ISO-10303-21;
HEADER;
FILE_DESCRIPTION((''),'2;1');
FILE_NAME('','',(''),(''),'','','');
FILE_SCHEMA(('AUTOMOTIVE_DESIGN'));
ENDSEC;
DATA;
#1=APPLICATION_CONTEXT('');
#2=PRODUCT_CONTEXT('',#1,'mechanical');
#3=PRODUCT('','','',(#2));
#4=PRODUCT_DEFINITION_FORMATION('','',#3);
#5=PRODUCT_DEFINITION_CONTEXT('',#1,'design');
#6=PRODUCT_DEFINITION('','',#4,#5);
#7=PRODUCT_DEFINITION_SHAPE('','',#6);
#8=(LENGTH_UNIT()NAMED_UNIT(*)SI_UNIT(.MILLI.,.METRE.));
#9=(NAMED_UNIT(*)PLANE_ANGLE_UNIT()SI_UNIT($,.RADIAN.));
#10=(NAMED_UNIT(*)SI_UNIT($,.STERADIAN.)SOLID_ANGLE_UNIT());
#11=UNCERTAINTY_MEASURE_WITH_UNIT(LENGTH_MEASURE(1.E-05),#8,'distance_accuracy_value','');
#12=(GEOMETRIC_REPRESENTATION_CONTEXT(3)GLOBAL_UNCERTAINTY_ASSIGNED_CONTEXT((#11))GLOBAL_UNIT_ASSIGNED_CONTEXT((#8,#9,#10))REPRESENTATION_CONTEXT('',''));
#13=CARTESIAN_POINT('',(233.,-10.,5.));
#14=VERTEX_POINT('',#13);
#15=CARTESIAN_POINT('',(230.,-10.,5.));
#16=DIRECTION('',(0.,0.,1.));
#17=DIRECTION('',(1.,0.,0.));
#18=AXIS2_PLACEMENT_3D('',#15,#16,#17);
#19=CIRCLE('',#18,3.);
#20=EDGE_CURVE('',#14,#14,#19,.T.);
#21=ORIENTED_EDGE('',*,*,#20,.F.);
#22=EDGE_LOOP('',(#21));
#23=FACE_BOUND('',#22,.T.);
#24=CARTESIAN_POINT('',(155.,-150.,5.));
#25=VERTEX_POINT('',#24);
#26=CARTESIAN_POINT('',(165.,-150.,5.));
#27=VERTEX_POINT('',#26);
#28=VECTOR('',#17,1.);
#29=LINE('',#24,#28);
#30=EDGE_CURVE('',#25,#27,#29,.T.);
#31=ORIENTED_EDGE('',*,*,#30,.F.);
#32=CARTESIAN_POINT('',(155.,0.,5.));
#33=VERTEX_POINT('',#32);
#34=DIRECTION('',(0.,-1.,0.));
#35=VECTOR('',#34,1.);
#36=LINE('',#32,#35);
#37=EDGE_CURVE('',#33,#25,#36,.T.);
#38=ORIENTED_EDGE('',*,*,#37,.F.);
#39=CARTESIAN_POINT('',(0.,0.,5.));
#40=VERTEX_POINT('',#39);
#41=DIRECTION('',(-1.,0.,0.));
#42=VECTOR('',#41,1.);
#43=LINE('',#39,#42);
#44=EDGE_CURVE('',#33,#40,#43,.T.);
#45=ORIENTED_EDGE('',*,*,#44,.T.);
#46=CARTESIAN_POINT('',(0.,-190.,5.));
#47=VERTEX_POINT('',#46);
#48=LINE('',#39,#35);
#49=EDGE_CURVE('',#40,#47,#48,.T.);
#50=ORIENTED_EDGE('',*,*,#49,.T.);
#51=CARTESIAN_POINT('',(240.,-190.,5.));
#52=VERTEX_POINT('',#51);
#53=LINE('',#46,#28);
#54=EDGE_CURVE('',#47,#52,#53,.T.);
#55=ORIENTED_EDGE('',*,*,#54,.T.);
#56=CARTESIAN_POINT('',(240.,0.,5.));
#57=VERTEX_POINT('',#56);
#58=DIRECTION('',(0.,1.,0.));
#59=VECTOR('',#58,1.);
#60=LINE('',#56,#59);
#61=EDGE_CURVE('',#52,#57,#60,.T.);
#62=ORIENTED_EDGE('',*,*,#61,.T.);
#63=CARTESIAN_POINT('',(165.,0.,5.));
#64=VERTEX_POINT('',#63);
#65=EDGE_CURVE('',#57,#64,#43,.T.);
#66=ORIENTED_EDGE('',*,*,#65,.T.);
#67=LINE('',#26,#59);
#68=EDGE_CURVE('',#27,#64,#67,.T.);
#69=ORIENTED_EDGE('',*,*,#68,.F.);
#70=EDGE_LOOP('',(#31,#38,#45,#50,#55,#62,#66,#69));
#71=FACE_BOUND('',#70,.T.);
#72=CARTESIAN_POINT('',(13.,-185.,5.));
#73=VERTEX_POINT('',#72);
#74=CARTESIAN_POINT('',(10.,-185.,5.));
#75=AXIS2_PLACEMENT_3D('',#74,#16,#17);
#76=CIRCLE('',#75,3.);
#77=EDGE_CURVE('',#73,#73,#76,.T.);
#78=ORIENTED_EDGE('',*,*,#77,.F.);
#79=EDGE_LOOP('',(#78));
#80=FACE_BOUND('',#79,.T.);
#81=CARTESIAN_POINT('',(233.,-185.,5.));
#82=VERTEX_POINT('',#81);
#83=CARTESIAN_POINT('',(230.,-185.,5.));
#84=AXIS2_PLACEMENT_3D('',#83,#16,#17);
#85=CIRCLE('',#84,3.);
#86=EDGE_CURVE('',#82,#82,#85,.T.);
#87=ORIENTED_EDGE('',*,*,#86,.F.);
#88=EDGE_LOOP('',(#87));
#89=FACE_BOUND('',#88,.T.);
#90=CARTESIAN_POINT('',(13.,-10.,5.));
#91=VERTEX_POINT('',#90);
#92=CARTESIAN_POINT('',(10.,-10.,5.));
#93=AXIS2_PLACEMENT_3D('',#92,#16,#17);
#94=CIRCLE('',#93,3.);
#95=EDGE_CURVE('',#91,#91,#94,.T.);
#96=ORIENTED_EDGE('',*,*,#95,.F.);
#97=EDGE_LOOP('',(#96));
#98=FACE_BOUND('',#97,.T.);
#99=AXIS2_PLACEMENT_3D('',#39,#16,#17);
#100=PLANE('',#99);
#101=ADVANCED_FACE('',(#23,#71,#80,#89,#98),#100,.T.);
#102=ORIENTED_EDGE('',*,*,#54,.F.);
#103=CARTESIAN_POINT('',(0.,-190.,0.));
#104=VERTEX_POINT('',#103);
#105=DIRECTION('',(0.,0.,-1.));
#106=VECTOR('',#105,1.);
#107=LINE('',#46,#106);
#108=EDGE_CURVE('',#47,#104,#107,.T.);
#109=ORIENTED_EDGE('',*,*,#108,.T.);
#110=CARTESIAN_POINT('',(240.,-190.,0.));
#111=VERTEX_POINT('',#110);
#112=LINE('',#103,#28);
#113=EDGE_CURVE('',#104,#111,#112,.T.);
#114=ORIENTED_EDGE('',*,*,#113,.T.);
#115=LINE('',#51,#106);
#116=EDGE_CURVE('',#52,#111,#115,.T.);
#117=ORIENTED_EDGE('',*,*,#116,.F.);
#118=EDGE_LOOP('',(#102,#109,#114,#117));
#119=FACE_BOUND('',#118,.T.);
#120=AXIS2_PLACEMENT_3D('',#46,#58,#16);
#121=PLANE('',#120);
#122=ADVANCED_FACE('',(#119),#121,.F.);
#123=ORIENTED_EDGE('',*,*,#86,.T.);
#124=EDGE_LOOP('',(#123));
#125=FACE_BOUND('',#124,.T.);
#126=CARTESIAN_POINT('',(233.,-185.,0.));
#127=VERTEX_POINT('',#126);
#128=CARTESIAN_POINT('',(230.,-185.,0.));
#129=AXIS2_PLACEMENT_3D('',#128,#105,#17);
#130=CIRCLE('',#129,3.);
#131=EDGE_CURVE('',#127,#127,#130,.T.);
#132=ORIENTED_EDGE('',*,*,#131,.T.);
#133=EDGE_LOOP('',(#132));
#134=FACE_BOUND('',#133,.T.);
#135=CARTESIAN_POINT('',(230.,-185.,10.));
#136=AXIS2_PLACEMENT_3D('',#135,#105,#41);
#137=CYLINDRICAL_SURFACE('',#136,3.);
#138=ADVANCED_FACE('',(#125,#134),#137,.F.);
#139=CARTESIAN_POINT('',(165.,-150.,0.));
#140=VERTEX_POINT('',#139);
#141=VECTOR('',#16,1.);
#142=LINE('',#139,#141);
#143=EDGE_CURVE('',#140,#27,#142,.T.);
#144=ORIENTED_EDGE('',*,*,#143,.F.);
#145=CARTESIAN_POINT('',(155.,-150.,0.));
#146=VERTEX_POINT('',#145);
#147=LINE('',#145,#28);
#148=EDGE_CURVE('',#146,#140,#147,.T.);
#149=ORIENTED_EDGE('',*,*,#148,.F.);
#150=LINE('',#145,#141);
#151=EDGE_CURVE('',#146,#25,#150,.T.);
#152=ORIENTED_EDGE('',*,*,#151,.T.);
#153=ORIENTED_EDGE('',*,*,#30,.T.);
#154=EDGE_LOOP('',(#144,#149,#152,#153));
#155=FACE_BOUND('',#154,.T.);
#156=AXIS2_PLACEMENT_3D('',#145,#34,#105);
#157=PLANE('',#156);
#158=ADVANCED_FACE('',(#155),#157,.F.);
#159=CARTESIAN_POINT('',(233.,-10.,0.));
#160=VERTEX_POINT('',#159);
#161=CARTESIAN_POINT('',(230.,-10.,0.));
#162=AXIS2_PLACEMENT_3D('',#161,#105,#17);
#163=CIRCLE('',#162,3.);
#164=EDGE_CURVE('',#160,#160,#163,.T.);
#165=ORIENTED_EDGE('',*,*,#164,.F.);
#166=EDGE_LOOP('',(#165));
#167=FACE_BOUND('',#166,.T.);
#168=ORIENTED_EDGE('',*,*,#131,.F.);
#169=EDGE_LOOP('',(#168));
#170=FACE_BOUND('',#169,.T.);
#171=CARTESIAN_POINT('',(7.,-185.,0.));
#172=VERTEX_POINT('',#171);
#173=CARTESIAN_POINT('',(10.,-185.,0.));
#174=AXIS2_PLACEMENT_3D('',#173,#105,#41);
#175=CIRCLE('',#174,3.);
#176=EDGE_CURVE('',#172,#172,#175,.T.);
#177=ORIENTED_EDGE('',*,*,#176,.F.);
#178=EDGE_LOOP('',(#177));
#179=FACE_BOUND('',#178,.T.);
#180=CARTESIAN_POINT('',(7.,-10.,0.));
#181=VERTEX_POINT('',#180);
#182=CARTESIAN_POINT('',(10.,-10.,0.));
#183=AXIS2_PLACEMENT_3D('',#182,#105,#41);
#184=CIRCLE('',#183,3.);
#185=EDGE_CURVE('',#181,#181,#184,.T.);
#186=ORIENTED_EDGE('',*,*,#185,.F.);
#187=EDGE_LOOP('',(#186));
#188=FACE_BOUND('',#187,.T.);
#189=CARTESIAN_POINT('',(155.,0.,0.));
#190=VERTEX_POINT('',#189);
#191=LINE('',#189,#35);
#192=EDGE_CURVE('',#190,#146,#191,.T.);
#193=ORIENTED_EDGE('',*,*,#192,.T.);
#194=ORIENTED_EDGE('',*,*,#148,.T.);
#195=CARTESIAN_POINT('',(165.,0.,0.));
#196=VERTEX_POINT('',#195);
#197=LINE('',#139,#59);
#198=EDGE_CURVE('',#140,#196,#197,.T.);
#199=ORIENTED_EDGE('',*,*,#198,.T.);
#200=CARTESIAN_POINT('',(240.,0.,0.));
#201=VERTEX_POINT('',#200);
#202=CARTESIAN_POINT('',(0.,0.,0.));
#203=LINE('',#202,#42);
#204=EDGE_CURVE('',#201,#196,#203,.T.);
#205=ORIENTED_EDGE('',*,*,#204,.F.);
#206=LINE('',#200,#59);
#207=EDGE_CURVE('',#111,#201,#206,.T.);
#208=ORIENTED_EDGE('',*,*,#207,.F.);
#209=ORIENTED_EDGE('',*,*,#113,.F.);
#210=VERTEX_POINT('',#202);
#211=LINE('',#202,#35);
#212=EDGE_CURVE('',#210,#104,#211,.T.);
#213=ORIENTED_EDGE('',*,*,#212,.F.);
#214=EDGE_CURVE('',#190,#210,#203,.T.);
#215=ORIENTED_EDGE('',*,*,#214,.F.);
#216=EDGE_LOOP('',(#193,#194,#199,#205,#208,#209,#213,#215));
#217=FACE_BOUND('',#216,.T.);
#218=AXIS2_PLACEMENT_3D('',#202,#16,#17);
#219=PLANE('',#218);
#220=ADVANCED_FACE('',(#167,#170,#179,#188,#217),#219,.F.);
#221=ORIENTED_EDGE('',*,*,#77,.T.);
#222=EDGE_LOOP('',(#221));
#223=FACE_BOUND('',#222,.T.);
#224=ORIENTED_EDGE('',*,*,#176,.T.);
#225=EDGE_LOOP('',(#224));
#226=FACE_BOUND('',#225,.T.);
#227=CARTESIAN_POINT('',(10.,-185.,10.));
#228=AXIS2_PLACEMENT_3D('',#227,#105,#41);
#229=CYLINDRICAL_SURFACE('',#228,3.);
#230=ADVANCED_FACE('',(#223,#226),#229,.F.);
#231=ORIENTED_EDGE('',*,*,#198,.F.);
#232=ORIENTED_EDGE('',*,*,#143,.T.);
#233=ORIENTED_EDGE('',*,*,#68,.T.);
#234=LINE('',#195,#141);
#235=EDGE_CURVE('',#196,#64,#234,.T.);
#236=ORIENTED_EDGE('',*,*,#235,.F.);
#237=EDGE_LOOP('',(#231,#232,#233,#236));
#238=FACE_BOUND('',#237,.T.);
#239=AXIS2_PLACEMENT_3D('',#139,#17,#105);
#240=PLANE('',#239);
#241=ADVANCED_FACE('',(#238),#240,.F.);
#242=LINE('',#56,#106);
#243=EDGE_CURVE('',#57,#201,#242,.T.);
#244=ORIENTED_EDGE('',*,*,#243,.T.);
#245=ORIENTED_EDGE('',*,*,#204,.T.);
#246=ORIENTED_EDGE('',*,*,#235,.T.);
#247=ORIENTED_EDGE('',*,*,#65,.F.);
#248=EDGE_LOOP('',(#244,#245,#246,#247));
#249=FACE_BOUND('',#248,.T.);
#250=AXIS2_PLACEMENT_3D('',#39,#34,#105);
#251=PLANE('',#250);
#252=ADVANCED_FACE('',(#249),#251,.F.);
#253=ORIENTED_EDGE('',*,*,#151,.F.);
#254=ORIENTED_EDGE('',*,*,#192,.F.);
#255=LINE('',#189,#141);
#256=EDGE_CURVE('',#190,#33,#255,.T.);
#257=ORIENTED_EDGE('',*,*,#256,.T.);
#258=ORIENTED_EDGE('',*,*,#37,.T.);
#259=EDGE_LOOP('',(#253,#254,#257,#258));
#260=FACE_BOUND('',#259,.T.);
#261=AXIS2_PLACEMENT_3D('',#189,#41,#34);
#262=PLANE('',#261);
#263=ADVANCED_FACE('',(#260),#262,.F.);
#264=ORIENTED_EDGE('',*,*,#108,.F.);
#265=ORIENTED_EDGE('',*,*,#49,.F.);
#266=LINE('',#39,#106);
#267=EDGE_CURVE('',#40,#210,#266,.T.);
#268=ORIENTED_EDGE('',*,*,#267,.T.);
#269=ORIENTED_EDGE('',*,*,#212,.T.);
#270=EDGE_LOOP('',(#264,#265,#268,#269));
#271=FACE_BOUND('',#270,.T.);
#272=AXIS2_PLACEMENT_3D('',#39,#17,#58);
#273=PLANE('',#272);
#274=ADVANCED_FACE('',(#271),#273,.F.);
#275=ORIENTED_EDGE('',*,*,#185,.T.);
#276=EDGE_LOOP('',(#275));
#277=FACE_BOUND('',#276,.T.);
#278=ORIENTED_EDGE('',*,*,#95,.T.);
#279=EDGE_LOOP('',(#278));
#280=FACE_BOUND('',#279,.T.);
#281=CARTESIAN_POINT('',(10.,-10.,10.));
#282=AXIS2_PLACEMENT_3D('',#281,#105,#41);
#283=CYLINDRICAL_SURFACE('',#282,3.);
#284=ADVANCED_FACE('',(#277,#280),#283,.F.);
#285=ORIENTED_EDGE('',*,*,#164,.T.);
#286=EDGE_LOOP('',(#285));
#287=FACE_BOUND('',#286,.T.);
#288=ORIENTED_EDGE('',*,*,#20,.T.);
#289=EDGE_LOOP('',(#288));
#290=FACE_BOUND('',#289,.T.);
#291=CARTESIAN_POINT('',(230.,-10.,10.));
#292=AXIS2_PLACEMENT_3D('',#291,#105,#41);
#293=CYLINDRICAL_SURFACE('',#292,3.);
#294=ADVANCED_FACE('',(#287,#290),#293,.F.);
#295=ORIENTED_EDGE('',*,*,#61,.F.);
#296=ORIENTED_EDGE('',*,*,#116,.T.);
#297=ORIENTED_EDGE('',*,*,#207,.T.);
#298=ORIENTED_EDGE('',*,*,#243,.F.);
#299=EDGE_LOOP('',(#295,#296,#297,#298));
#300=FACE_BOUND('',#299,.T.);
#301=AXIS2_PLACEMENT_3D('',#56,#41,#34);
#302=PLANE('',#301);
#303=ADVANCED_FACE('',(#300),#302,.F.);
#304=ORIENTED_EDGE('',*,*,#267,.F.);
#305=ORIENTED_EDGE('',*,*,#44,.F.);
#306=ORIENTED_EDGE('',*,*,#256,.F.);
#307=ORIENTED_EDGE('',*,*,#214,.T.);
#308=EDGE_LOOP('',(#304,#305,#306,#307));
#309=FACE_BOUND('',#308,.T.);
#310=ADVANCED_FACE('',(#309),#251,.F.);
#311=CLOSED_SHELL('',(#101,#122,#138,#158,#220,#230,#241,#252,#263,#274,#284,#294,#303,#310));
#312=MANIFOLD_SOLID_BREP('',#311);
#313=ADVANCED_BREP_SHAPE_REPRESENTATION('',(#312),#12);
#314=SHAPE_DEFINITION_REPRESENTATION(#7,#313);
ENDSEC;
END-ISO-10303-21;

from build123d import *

# Parameters (mm, degrees)
ESQUISSE1_W             = 240
ESQUISSE1_H             = 190
BOSS_EXTRU_1_DEPTH      = 5
ESQUISSE2_W             = 10
ESQUISSE2_H             = 150
ENL_V_MAT_EXTRU_1_DEPTH = 5
ESQUISSE3_R             = 3
ENL_V_MAT_EXTRU_2_DEPTH = 10


with BuildPart() as part:
    # Esquisse1 → Boss.-Extru.1 (new body)
    with BuildSketch(Plane.XY):
        with Locations((120, -95)):
            Rectangle(ESQUISSE1_W, ESQUISSE1_H)
    extrude(amount=BOSS_EXTRU_1_DEPTH)

    # Esquisse2 → Enlèv. mat.-Extru.1 (cut)
    with BuildSketch(Plane.XY.offset(5)):
        with Locations((160, -75)):
            Rectangle(ESQUISSE2_W, ESQUISSE2_H)
    extrude(amount=-ENL_V_MAT_EXTRU_1_DEPTH, mode=Mode.SUBTRACT)

    # Esquisse3 → Enlèv. mat.-Extru.2 (cut)
    with BuildSketch(Plane(origin=(0, 0, 0), x_dir=(-1, 0, 0), z_dir=(0, 0, -1))):
        with Locations((-10, -185)):
            Circle(ESQUISSE3_R)
        with Locations((-10, -10)):
            Circle(ESQUISSE3_R)
        with Locations(Location((-230, -185, 0), (0, 0, 180))):
            Circle(ESQUISSE3_R)
        with Locations(Location((-230, -10, 0), (0, 0, 180))):
            Circle(ESQUISSE3_R)
    extrude(amount=-ENL_V_MAT_EXTRU_2_DEPTH, mode=Mode.SUBTRACT)


solid = part.part
